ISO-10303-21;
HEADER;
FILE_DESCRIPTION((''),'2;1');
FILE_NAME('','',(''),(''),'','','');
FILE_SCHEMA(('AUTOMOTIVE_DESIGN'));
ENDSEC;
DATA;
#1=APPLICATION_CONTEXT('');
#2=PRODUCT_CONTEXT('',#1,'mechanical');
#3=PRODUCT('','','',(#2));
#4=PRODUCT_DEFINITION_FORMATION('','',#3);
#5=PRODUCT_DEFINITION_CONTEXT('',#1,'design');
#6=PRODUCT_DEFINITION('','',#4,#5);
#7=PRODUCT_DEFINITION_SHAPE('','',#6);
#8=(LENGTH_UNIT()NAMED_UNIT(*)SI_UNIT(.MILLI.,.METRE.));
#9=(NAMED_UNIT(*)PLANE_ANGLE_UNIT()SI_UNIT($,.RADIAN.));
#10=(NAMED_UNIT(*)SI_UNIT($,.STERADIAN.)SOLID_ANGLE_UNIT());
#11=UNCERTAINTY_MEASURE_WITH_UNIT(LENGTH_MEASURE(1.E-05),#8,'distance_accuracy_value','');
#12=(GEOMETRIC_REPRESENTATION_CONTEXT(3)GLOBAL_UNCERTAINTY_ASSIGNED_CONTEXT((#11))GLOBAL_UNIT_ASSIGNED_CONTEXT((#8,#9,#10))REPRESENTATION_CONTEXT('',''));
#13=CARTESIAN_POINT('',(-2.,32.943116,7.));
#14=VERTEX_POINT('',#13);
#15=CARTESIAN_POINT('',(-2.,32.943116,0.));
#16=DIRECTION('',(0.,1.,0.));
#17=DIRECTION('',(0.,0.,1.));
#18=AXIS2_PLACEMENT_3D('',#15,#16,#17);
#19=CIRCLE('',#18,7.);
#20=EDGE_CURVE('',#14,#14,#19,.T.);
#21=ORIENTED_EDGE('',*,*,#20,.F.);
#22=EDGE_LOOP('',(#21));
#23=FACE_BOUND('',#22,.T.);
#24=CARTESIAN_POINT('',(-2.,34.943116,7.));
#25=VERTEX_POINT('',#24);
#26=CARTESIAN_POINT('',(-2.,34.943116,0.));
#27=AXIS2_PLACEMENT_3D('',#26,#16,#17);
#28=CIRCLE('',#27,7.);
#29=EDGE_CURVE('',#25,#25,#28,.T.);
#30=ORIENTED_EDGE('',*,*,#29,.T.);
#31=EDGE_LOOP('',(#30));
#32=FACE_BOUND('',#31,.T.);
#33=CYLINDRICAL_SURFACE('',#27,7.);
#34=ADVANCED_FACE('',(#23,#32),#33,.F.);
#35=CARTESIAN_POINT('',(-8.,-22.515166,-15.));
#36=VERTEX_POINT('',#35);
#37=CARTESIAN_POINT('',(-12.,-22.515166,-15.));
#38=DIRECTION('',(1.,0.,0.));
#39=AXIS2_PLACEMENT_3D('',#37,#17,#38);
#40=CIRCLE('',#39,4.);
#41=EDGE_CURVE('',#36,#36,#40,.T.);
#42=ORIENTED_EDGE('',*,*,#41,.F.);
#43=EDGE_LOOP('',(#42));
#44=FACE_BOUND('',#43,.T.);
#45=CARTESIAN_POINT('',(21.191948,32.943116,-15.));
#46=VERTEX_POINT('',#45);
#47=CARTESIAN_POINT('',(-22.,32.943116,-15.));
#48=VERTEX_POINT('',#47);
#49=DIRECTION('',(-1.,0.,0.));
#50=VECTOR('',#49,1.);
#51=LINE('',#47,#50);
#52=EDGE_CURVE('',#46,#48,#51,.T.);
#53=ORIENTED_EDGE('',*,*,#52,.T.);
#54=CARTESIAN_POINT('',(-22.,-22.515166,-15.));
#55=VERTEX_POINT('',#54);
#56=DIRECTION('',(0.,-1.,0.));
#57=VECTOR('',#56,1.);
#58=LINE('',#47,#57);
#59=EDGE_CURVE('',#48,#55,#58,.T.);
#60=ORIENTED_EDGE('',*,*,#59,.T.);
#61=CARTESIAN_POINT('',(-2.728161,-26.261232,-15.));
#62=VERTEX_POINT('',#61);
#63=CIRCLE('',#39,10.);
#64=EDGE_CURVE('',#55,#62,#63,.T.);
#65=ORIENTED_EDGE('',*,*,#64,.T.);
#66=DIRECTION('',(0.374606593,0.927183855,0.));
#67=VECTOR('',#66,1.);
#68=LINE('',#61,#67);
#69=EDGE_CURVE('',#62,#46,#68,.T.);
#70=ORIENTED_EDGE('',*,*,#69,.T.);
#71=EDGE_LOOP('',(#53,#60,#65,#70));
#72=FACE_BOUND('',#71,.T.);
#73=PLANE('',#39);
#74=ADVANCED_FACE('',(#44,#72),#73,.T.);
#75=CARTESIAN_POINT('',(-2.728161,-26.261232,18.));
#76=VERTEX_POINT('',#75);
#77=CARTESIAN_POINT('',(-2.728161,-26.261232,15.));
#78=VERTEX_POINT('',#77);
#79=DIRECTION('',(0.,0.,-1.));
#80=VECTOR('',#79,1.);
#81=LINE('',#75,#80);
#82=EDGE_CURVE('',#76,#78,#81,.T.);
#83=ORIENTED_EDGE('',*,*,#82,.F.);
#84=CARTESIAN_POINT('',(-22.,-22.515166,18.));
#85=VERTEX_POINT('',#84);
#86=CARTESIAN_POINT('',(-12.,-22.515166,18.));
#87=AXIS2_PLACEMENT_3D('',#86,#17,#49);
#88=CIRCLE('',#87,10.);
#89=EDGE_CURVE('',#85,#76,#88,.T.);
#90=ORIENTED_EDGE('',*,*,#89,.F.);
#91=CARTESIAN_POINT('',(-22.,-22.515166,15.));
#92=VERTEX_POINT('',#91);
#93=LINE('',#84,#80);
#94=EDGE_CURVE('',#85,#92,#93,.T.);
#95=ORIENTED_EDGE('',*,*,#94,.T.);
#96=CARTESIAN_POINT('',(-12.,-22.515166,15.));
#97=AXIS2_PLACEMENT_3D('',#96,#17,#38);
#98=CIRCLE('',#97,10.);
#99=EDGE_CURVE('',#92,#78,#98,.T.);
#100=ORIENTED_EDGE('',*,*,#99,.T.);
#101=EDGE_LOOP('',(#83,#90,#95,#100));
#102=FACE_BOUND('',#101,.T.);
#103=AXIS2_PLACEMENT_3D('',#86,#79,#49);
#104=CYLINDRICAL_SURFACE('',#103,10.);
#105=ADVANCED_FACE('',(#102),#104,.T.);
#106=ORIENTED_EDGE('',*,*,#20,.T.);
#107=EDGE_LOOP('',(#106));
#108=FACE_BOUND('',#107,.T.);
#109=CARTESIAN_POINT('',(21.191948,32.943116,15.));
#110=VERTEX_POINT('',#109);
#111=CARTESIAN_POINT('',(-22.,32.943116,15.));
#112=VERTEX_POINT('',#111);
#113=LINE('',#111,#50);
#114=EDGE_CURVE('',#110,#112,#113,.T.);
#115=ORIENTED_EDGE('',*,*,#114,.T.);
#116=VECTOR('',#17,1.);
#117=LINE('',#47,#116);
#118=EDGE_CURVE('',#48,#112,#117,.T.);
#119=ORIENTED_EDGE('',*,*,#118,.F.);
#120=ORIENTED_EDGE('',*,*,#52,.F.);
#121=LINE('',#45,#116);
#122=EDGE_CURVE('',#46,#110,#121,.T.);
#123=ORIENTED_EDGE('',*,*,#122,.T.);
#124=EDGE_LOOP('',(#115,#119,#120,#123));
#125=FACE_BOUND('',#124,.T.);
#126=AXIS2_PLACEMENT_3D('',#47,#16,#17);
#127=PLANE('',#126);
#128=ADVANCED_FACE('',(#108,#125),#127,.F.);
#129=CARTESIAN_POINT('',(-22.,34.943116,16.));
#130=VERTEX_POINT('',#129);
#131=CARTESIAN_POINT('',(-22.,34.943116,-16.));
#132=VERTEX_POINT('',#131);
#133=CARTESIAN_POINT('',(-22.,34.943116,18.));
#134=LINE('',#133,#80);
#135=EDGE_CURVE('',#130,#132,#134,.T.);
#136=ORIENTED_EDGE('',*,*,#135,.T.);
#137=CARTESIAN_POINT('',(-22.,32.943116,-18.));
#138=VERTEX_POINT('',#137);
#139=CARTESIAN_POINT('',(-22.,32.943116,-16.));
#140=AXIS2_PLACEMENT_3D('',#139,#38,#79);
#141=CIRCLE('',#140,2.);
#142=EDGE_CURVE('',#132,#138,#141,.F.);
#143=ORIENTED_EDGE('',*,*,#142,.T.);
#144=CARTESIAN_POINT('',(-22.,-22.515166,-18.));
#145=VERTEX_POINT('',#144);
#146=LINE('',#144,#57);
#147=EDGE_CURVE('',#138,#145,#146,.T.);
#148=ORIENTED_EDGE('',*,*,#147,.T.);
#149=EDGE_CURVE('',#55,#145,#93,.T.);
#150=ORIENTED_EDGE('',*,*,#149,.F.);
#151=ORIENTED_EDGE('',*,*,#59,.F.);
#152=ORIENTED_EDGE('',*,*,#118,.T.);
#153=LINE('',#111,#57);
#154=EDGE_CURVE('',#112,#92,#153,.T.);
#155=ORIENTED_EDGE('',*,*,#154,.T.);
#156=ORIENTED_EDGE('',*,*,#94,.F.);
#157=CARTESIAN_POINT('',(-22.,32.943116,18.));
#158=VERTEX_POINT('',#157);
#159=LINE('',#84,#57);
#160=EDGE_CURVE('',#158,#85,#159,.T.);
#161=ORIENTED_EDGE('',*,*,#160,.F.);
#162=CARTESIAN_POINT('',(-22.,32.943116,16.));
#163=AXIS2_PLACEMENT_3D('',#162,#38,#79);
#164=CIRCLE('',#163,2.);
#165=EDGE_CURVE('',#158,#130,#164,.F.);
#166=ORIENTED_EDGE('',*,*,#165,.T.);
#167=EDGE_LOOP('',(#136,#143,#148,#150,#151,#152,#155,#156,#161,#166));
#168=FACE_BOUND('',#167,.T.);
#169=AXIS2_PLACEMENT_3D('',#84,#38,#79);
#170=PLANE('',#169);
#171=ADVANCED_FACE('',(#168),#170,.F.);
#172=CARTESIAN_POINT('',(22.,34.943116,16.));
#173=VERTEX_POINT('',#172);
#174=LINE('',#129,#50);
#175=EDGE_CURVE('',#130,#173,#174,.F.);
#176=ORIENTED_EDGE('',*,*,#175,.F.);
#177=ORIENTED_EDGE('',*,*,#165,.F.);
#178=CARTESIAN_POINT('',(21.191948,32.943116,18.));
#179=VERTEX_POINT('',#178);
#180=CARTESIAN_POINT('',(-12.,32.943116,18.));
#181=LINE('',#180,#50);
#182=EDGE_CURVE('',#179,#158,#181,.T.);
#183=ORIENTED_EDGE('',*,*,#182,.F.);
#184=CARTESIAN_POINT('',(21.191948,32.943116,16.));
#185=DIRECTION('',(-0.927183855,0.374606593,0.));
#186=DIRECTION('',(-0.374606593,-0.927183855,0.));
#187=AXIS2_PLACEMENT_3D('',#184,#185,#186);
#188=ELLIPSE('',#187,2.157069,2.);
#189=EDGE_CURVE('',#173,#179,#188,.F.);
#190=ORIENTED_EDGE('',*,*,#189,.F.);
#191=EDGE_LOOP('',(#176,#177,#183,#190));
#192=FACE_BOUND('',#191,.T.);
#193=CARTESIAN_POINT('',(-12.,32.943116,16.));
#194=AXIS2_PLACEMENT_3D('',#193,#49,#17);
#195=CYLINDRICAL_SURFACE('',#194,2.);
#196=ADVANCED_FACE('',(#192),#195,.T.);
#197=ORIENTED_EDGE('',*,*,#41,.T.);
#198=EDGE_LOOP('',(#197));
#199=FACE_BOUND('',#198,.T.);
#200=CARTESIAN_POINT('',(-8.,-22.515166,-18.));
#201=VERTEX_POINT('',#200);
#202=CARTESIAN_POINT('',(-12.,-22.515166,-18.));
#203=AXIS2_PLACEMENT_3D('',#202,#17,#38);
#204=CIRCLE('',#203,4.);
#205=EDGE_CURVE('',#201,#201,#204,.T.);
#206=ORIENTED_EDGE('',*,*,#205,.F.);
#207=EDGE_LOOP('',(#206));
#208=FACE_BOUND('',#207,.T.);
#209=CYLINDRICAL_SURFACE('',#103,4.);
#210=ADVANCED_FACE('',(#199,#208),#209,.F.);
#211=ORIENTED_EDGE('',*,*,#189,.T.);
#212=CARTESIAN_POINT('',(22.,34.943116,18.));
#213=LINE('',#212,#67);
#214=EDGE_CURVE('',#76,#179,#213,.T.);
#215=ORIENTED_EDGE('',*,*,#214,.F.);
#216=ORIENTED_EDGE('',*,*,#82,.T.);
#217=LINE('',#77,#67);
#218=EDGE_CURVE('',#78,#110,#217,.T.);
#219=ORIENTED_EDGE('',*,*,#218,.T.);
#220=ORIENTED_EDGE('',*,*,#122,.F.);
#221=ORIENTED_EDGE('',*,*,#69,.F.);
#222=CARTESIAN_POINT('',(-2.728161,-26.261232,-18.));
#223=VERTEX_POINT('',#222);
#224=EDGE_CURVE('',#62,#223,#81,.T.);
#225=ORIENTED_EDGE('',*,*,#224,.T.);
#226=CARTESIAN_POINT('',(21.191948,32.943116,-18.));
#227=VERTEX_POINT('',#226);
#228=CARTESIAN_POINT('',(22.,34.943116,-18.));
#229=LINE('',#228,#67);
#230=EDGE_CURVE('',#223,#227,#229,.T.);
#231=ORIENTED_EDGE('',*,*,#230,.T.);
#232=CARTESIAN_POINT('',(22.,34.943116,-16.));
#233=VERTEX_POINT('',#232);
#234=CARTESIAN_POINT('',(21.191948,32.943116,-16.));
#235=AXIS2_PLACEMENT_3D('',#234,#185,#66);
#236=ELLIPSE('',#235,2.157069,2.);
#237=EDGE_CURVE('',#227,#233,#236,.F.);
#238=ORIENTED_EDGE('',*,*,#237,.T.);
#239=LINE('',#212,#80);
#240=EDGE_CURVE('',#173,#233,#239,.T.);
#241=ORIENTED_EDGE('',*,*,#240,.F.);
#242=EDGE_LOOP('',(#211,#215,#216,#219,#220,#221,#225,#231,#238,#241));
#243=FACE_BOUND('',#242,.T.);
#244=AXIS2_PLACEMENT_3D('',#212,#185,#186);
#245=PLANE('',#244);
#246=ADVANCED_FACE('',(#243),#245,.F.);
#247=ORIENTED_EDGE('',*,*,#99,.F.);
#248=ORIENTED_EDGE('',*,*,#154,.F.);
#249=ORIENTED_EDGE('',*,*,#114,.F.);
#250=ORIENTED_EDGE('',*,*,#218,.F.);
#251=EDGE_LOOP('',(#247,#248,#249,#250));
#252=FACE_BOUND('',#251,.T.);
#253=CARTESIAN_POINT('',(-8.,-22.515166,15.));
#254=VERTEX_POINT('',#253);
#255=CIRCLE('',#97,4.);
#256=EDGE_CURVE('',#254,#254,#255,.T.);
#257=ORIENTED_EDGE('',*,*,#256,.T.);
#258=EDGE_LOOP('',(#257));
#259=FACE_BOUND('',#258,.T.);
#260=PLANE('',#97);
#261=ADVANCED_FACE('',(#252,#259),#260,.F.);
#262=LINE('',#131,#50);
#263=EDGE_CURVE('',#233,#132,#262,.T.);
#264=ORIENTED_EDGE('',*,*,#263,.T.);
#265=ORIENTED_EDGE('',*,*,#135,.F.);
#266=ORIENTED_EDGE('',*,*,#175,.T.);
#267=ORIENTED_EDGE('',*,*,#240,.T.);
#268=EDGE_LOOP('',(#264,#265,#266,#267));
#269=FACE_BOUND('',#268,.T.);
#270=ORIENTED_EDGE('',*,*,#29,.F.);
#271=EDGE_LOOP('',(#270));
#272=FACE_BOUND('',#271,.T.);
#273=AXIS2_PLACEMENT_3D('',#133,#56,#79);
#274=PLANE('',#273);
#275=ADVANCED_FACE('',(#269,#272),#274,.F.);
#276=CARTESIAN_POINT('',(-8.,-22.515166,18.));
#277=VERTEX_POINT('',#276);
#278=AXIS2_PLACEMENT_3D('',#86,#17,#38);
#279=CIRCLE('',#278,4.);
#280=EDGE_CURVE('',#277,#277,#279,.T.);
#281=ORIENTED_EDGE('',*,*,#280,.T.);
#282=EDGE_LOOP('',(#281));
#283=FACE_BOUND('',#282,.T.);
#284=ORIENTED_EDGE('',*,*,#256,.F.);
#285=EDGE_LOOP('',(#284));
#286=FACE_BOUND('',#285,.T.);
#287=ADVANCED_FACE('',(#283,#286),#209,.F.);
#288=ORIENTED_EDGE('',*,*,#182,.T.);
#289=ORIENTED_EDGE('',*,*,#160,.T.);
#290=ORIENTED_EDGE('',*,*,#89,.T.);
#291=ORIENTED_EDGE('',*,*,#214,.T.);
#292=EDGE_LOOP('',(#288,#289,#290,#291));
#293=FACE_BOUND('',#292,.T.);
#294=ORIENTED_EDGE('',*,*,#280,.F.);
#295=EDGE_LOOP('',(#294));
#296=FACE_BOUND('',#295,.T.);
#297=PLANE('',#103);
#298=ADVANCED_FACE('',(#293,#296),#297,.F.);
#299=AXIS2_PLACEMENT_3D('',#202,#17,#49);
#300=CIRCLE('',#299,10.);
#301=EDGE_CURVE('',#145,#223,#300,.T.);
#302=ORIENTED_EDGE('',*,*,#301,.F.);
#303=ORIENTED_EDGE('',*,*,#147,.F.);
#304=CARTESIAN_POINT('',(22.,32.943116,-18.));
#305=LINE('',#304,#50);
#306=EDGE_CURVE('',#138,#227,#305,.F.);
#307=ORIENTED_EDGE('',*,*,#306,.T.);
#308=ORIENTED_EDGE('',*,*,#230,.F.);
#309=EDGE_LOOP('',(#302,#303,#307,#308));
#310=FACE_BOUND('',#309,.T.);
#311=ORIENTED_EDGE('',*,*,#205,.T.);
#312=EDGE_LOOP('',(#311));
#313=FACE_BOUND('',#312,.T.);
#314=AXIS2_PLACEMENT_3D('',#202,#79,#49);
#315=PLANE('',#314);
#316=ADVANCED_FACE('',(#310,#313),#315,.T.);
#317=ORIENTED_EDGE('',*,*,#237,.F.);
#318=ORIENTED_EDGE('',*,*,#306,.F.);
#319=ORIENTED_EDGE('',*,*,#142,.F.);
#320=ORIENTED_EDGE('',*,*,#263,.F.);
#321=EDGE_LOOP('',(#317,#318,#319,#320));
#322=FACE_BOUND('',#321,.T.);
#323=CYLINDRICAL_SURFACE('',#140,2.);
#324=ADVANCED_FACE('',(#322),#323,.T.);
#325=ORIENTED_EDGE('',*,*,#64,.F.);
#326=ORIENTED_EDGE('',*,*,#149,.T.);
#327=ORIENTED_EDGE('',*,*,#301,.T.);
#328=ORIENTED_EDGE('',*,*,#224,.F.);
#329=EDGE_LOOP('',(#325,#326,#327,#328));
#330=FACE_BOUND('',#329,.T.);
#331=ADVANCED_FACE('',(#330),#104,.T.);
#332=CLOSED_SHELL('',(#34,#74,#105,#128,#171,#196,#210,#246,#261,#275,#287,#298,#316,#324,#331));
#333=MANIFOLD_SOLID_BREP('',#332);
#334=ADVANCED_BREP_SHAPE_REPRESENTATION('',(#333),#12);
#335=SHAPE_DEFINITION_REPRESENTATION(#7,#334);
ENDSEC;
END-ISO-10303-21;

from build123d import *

# Parameters (mm, degrees)
SKETCH_1_R              = 4
EXTRUDE_1_DEPTH         = 18
CUT_EXTRUDE_1_DEPTH     = 15
HOLE_WIZARD_14_0_14_1_D = 14
FILLET_1_R              = 2


with BuildPart() as part:
    # 草图1 → 凸台-拉伸1 (new, symmetric)
    with BuildSketch(Plane.XY):
        with BuildLine():
            Line((-22, 34.943115606), (22, 34.943115606))
            Line((22, 34.943115606), (-2.728161454, -26.261231719))
            ThreePointArc((-2.728161454, -26.261231719), (-13.908089954, -32.331437619), (-22, -22.515165785))
            Line((-22, -22.515165785), (-22, 34.943115606))
        make_face()
        with Locations((-12, -22.515165785)):
            Circle(SKETCH_1_R, mode=Mode.SUBTRACT)
    extrude(amount=EXTRUDE_1_DEPTH, both=True)

    # 草图2 → 切除-拉伸1 (cut, symmetric)
    with BuildSketch(Plane.XY):
        with BuildLine():
            Line((-22, 32.943115606), (21.191947548, 32.943115606))
            Line((21.191947548, 32.943115606), (-2.728161454, -26.261231719))
            ThreePointArc((-2.728161454, -26.261231719), (-13.908089954, -32.331437619), (-22, -22.515165785))
            Line((-22, -22.515165785), (-22, 32.943115606))
        make_face()
    extrude(amount=CUT_EXTRUDE_1_DEPTH, both=True, mode=Mode.SUBTRACT)

    # Ø14.0 (14) 直径孔1 (through all)
    with Locations(Plane(origin=(0, 34.943115606, 0), x_dir=(1, 0, 0), z_dir=(0, 1, 0))):
        with Locations((-2, 0)):
            Hole(HOLE_WIZARD_14_0_14_1_D / 2)

    # 圆角1
    fillet_1_edges = [part.edges().sort_by_distance(p)[0] for p in [
        (0, 34.943115606, 18),
        (0, 34.943115606, -18),
    ]]
    fillet(fillet_1_edges, radius=FILLET_1_R)


solid = part.part
